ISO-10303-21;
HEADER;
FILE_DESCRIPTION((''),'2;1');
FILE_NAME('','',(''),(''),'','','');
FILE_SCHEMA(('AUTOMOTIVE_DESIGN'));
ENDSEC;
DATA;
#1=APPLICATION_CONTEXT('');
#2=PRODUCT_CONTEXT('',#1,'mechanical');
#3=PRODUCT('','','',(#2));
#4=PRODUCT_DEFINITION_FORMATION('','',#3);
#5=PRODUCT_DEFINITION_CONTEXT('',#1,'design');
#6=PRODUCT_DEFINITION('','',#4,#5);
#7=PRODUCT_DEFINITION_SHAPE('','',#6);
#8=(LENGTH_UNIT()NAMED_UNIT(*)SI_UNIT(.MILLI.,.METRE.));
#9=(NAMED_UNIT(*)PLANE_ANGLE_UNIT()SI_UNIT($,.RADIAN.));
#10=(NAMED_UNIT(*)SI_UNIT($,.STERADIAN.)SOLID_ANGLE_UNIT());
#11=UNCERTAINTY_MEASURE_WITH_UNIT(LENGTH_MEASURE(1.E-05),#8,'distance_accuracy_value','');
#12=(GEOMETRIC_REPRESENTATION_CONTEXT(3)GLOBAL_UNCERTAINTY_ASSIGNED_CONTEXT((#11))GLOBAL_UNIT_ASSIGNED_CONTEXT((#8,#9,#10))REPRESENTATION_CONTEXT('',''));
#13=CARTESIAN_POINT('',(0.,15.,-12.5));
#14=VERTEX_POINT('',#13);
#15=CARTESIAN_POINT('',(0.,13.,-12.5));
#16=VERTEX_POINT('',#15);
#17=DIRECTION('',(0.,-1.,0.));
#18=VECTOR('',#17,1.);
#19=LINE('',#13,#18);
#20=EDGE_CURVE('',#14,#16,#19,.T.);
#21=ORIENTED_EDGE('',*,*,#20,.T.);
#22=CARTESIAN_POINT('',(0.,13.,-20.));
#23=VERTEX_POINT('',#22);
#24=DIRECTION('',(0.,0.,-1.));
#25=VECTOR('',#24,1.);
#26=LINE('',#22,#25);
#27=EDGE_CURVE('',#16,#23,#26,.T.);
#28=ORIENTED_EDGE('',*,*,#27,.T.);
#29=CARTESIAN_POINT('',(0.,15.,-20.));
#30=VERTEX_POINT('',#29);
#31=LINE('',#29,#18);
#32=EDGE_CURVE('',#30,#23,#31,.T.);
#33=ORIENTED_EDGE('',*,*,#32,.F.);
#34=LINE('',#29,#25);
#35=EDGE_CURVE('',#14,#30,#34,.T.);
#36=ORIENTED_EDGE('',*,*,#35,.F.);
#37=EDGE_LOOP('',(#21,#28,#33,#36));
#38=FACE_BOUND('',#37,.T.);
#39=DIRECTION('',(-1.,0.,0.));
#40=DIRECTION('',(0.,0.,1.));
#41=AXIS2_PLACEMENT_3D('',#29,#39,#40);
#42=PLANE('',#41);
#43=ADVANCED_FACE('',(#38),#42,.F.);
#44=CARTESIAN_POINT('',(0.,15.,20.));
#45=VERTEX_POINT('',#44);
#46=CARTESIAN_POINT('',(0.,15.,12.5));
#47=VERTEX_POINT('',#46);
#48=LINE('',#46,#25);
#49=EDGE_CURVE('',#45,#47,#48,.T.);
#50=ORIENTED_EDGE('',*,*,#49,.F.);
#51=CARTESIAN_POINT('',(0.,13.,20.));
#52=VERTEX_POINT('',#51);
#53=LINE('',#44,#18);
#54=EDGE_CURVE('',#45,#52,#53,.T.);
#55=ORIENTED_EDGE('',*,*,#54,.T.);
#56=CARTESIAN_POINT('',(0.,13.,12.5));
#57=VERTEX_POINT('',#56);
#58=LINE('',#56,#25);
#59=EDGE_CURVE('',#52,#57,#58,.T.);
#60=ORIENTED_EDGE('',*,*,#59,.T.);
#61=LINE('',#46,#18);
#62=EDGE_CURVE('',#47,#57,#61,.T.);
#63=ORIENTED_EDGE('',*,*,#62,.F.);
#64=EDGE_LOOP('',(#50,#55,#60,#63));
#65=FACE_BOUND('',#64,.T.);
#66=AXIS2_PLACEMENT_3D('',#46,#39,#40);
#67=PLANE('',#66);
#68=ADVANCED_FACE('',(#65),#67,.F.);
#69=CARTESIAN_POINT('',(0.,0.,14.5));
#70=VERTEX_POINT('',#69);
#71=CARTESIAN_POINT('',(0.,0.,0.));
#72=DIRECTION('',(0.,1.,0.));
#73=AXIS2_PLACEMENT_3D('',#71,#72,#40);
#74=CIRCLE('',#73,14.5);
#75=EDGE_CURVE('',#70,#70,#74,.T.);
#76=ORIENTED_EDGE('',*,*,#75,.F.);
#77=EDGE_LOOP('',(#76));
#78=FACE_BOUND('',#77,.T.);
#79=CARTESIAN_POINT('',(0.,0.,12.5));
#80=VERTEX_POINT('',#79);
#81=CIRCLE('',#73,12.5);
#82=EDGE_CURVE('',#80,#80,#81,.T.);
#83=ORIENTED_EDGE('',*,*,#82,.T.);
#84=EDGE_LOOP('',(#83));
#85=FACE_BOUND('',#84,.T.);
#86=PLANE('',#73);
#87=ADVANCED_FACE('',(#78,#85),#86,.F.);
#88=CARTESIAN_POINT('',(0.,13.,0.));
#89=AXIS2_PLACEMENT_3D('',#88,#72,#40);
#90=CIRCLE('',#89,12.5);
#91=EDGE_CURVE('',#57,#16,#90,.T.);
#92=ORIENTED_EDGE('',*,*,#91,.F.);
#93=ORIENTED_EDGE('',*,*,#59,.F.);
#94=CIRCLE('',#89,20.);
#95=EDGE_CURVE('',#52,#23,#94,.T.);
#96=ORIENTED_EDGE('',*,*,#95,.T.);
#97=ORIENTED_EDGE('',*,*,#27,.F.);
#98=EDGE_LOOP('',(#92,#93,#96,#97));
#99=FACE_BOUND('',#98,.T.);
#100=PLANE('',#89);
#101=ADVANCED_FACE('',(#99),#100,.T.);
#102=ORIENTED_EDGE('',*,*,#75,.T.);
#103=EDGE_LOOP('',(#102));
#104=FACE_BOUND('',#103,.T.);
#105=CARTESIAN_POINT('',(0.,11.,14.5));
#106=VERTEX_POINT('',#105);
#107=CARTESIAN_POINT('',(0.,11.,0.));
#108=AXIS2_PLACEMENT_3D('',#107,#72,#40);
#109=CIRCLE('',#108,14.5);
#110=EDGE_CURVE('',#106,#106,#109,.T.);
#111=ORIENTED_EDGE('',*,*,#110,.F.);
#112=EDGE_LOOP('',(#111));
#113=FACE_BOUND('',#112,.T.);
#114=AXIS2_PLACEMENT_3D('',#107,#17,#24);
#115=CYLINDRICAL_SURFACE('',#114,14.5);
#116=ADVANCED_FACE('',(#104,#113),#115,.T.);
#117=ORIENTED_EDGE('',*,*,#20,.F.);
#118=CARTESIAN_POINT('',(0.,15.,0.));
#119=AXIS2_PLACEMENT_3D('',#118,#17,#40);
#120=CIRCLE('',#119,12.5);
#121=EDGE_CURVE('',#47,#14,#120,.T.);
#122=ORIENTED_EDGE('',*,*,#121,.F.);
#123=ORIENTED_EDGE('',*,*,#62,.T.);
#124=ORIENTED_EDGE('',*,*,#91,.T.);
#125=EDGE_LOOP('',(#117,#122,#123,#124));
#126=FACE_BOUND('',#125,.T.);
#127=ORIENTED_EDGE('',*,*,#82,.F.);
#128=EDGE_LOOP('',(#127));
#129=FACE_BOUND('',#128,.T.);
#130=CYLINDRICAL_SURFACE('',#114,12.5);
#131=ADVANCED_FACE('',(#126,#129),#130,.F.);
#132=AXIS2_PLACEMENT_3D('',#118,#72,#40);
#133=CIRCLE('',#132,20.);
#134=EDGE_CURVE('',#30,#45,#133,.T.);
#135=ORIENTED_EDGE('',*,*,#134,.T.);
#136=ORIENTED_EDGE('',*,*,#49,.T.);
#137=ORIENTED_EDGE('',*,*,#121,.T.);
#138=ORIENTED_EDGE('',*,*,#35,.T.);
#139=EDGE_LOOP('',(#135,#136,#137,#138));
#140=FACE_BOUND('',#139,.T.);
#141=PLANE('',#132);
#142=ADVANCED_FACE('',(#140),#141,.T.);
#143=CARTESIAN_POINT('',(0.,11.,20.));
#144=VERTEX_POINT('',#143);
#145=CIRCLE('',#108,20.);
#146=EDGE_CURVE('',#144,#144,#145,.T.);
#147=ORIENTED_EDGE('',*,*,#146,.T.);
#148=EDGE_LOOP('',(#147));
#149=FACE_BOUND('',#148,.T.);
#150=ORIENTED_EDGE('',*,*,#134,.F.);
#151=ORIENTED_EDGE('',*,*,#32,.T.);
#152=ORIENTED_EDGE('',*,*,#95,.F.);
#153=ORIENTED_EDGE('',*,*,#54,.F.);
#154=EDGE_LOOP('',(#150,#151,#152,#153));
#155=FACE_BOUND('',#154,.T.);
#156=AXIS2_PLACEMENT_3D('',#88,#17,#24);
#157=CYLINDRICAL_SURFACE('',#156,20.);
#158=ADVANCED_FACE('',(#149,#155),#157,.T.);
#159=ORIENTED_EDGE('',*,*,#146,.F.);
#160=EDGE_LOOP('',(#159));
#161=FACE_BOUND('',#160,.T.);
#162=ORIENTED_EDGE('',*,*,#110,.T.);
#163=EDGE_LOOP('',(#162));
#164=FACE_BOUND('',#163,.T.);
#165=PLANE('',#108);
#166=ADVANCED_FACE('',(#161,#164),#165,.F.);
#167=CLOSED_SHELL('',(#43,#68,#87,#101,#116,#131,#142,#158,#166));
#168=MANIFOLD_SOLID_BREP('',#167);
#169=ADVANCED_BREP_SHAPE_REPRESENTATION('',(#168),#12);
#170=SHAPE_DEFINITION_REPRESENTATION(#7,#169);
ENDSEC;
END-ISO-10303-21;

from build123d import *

# Parameters (mm, degrees)
SKETCH_2_R      = 14.5
SKETCH_2_R_2    = 12.5
EXTRUDE_1_DEPTH = 11
SKETCH_3_R      = 20
SKETCH_3_R_2    = 12.5
EXTRUDE_2_DEPTH = 2
EXTRUDE_3_DEPTH = 2


with BuildPart() as part:
    # 草圖2 → 填料-伸長1 (new body)
    with BuildSketch(Plane(origin=(0, 0, 0), x_dir=(1, 0, 0), z_dir=(0, 1, 0))):
        with Locations(Location((0, 0, 0), (0, 0, 270))):
            Circle(SKETCH_2_R)
        with Locations(Location((0, 0, 0), (0, 0, 270))):
            Circle(SKETCH_2_R_2, mode=Mode.SUBTRACT)
    extrude(amount=EXTRUDE_1_DEPTH)

    # 草圖3 → 填料-伸長2 (add)
    with BuildSketch(Plane(origin=(0, 11, 0), x_dir=(1, 0, 0), z_dir=(0, 1, 0))):
        with Locations(Location((0, 0, 0), (0, 0, 270))):
            Circle(SKETCH_3_R)
        with Locations(Location((0, 0, 0), (0, 0, 270))):
            Circle(SKETCH_3_R_2, mode=Mode.SUBTRACT)
    extrude(amount=EXTRUDE_2_DEPTH)

    # 草圖4 → 填料-伸長3 (add)
    with BuildSketch(Plane(origin=(0, 13, 0), x_dir=(1, 0, 0), z_dir=(0, 1, 0))):
        with BuildLine():
            Line((0, 20), (0, 12.5))
            ThreePointArc((0, 12.5), (-12.5, 0), (0, -12.5))
            Line((0, -12.5), (0, -20))
            ThreePointArc((0, -20), (-20, 0), (0, 20))
        make_face()
    extrude(amount=EXTRUDE_3_DEPTH)


solid = part.part
